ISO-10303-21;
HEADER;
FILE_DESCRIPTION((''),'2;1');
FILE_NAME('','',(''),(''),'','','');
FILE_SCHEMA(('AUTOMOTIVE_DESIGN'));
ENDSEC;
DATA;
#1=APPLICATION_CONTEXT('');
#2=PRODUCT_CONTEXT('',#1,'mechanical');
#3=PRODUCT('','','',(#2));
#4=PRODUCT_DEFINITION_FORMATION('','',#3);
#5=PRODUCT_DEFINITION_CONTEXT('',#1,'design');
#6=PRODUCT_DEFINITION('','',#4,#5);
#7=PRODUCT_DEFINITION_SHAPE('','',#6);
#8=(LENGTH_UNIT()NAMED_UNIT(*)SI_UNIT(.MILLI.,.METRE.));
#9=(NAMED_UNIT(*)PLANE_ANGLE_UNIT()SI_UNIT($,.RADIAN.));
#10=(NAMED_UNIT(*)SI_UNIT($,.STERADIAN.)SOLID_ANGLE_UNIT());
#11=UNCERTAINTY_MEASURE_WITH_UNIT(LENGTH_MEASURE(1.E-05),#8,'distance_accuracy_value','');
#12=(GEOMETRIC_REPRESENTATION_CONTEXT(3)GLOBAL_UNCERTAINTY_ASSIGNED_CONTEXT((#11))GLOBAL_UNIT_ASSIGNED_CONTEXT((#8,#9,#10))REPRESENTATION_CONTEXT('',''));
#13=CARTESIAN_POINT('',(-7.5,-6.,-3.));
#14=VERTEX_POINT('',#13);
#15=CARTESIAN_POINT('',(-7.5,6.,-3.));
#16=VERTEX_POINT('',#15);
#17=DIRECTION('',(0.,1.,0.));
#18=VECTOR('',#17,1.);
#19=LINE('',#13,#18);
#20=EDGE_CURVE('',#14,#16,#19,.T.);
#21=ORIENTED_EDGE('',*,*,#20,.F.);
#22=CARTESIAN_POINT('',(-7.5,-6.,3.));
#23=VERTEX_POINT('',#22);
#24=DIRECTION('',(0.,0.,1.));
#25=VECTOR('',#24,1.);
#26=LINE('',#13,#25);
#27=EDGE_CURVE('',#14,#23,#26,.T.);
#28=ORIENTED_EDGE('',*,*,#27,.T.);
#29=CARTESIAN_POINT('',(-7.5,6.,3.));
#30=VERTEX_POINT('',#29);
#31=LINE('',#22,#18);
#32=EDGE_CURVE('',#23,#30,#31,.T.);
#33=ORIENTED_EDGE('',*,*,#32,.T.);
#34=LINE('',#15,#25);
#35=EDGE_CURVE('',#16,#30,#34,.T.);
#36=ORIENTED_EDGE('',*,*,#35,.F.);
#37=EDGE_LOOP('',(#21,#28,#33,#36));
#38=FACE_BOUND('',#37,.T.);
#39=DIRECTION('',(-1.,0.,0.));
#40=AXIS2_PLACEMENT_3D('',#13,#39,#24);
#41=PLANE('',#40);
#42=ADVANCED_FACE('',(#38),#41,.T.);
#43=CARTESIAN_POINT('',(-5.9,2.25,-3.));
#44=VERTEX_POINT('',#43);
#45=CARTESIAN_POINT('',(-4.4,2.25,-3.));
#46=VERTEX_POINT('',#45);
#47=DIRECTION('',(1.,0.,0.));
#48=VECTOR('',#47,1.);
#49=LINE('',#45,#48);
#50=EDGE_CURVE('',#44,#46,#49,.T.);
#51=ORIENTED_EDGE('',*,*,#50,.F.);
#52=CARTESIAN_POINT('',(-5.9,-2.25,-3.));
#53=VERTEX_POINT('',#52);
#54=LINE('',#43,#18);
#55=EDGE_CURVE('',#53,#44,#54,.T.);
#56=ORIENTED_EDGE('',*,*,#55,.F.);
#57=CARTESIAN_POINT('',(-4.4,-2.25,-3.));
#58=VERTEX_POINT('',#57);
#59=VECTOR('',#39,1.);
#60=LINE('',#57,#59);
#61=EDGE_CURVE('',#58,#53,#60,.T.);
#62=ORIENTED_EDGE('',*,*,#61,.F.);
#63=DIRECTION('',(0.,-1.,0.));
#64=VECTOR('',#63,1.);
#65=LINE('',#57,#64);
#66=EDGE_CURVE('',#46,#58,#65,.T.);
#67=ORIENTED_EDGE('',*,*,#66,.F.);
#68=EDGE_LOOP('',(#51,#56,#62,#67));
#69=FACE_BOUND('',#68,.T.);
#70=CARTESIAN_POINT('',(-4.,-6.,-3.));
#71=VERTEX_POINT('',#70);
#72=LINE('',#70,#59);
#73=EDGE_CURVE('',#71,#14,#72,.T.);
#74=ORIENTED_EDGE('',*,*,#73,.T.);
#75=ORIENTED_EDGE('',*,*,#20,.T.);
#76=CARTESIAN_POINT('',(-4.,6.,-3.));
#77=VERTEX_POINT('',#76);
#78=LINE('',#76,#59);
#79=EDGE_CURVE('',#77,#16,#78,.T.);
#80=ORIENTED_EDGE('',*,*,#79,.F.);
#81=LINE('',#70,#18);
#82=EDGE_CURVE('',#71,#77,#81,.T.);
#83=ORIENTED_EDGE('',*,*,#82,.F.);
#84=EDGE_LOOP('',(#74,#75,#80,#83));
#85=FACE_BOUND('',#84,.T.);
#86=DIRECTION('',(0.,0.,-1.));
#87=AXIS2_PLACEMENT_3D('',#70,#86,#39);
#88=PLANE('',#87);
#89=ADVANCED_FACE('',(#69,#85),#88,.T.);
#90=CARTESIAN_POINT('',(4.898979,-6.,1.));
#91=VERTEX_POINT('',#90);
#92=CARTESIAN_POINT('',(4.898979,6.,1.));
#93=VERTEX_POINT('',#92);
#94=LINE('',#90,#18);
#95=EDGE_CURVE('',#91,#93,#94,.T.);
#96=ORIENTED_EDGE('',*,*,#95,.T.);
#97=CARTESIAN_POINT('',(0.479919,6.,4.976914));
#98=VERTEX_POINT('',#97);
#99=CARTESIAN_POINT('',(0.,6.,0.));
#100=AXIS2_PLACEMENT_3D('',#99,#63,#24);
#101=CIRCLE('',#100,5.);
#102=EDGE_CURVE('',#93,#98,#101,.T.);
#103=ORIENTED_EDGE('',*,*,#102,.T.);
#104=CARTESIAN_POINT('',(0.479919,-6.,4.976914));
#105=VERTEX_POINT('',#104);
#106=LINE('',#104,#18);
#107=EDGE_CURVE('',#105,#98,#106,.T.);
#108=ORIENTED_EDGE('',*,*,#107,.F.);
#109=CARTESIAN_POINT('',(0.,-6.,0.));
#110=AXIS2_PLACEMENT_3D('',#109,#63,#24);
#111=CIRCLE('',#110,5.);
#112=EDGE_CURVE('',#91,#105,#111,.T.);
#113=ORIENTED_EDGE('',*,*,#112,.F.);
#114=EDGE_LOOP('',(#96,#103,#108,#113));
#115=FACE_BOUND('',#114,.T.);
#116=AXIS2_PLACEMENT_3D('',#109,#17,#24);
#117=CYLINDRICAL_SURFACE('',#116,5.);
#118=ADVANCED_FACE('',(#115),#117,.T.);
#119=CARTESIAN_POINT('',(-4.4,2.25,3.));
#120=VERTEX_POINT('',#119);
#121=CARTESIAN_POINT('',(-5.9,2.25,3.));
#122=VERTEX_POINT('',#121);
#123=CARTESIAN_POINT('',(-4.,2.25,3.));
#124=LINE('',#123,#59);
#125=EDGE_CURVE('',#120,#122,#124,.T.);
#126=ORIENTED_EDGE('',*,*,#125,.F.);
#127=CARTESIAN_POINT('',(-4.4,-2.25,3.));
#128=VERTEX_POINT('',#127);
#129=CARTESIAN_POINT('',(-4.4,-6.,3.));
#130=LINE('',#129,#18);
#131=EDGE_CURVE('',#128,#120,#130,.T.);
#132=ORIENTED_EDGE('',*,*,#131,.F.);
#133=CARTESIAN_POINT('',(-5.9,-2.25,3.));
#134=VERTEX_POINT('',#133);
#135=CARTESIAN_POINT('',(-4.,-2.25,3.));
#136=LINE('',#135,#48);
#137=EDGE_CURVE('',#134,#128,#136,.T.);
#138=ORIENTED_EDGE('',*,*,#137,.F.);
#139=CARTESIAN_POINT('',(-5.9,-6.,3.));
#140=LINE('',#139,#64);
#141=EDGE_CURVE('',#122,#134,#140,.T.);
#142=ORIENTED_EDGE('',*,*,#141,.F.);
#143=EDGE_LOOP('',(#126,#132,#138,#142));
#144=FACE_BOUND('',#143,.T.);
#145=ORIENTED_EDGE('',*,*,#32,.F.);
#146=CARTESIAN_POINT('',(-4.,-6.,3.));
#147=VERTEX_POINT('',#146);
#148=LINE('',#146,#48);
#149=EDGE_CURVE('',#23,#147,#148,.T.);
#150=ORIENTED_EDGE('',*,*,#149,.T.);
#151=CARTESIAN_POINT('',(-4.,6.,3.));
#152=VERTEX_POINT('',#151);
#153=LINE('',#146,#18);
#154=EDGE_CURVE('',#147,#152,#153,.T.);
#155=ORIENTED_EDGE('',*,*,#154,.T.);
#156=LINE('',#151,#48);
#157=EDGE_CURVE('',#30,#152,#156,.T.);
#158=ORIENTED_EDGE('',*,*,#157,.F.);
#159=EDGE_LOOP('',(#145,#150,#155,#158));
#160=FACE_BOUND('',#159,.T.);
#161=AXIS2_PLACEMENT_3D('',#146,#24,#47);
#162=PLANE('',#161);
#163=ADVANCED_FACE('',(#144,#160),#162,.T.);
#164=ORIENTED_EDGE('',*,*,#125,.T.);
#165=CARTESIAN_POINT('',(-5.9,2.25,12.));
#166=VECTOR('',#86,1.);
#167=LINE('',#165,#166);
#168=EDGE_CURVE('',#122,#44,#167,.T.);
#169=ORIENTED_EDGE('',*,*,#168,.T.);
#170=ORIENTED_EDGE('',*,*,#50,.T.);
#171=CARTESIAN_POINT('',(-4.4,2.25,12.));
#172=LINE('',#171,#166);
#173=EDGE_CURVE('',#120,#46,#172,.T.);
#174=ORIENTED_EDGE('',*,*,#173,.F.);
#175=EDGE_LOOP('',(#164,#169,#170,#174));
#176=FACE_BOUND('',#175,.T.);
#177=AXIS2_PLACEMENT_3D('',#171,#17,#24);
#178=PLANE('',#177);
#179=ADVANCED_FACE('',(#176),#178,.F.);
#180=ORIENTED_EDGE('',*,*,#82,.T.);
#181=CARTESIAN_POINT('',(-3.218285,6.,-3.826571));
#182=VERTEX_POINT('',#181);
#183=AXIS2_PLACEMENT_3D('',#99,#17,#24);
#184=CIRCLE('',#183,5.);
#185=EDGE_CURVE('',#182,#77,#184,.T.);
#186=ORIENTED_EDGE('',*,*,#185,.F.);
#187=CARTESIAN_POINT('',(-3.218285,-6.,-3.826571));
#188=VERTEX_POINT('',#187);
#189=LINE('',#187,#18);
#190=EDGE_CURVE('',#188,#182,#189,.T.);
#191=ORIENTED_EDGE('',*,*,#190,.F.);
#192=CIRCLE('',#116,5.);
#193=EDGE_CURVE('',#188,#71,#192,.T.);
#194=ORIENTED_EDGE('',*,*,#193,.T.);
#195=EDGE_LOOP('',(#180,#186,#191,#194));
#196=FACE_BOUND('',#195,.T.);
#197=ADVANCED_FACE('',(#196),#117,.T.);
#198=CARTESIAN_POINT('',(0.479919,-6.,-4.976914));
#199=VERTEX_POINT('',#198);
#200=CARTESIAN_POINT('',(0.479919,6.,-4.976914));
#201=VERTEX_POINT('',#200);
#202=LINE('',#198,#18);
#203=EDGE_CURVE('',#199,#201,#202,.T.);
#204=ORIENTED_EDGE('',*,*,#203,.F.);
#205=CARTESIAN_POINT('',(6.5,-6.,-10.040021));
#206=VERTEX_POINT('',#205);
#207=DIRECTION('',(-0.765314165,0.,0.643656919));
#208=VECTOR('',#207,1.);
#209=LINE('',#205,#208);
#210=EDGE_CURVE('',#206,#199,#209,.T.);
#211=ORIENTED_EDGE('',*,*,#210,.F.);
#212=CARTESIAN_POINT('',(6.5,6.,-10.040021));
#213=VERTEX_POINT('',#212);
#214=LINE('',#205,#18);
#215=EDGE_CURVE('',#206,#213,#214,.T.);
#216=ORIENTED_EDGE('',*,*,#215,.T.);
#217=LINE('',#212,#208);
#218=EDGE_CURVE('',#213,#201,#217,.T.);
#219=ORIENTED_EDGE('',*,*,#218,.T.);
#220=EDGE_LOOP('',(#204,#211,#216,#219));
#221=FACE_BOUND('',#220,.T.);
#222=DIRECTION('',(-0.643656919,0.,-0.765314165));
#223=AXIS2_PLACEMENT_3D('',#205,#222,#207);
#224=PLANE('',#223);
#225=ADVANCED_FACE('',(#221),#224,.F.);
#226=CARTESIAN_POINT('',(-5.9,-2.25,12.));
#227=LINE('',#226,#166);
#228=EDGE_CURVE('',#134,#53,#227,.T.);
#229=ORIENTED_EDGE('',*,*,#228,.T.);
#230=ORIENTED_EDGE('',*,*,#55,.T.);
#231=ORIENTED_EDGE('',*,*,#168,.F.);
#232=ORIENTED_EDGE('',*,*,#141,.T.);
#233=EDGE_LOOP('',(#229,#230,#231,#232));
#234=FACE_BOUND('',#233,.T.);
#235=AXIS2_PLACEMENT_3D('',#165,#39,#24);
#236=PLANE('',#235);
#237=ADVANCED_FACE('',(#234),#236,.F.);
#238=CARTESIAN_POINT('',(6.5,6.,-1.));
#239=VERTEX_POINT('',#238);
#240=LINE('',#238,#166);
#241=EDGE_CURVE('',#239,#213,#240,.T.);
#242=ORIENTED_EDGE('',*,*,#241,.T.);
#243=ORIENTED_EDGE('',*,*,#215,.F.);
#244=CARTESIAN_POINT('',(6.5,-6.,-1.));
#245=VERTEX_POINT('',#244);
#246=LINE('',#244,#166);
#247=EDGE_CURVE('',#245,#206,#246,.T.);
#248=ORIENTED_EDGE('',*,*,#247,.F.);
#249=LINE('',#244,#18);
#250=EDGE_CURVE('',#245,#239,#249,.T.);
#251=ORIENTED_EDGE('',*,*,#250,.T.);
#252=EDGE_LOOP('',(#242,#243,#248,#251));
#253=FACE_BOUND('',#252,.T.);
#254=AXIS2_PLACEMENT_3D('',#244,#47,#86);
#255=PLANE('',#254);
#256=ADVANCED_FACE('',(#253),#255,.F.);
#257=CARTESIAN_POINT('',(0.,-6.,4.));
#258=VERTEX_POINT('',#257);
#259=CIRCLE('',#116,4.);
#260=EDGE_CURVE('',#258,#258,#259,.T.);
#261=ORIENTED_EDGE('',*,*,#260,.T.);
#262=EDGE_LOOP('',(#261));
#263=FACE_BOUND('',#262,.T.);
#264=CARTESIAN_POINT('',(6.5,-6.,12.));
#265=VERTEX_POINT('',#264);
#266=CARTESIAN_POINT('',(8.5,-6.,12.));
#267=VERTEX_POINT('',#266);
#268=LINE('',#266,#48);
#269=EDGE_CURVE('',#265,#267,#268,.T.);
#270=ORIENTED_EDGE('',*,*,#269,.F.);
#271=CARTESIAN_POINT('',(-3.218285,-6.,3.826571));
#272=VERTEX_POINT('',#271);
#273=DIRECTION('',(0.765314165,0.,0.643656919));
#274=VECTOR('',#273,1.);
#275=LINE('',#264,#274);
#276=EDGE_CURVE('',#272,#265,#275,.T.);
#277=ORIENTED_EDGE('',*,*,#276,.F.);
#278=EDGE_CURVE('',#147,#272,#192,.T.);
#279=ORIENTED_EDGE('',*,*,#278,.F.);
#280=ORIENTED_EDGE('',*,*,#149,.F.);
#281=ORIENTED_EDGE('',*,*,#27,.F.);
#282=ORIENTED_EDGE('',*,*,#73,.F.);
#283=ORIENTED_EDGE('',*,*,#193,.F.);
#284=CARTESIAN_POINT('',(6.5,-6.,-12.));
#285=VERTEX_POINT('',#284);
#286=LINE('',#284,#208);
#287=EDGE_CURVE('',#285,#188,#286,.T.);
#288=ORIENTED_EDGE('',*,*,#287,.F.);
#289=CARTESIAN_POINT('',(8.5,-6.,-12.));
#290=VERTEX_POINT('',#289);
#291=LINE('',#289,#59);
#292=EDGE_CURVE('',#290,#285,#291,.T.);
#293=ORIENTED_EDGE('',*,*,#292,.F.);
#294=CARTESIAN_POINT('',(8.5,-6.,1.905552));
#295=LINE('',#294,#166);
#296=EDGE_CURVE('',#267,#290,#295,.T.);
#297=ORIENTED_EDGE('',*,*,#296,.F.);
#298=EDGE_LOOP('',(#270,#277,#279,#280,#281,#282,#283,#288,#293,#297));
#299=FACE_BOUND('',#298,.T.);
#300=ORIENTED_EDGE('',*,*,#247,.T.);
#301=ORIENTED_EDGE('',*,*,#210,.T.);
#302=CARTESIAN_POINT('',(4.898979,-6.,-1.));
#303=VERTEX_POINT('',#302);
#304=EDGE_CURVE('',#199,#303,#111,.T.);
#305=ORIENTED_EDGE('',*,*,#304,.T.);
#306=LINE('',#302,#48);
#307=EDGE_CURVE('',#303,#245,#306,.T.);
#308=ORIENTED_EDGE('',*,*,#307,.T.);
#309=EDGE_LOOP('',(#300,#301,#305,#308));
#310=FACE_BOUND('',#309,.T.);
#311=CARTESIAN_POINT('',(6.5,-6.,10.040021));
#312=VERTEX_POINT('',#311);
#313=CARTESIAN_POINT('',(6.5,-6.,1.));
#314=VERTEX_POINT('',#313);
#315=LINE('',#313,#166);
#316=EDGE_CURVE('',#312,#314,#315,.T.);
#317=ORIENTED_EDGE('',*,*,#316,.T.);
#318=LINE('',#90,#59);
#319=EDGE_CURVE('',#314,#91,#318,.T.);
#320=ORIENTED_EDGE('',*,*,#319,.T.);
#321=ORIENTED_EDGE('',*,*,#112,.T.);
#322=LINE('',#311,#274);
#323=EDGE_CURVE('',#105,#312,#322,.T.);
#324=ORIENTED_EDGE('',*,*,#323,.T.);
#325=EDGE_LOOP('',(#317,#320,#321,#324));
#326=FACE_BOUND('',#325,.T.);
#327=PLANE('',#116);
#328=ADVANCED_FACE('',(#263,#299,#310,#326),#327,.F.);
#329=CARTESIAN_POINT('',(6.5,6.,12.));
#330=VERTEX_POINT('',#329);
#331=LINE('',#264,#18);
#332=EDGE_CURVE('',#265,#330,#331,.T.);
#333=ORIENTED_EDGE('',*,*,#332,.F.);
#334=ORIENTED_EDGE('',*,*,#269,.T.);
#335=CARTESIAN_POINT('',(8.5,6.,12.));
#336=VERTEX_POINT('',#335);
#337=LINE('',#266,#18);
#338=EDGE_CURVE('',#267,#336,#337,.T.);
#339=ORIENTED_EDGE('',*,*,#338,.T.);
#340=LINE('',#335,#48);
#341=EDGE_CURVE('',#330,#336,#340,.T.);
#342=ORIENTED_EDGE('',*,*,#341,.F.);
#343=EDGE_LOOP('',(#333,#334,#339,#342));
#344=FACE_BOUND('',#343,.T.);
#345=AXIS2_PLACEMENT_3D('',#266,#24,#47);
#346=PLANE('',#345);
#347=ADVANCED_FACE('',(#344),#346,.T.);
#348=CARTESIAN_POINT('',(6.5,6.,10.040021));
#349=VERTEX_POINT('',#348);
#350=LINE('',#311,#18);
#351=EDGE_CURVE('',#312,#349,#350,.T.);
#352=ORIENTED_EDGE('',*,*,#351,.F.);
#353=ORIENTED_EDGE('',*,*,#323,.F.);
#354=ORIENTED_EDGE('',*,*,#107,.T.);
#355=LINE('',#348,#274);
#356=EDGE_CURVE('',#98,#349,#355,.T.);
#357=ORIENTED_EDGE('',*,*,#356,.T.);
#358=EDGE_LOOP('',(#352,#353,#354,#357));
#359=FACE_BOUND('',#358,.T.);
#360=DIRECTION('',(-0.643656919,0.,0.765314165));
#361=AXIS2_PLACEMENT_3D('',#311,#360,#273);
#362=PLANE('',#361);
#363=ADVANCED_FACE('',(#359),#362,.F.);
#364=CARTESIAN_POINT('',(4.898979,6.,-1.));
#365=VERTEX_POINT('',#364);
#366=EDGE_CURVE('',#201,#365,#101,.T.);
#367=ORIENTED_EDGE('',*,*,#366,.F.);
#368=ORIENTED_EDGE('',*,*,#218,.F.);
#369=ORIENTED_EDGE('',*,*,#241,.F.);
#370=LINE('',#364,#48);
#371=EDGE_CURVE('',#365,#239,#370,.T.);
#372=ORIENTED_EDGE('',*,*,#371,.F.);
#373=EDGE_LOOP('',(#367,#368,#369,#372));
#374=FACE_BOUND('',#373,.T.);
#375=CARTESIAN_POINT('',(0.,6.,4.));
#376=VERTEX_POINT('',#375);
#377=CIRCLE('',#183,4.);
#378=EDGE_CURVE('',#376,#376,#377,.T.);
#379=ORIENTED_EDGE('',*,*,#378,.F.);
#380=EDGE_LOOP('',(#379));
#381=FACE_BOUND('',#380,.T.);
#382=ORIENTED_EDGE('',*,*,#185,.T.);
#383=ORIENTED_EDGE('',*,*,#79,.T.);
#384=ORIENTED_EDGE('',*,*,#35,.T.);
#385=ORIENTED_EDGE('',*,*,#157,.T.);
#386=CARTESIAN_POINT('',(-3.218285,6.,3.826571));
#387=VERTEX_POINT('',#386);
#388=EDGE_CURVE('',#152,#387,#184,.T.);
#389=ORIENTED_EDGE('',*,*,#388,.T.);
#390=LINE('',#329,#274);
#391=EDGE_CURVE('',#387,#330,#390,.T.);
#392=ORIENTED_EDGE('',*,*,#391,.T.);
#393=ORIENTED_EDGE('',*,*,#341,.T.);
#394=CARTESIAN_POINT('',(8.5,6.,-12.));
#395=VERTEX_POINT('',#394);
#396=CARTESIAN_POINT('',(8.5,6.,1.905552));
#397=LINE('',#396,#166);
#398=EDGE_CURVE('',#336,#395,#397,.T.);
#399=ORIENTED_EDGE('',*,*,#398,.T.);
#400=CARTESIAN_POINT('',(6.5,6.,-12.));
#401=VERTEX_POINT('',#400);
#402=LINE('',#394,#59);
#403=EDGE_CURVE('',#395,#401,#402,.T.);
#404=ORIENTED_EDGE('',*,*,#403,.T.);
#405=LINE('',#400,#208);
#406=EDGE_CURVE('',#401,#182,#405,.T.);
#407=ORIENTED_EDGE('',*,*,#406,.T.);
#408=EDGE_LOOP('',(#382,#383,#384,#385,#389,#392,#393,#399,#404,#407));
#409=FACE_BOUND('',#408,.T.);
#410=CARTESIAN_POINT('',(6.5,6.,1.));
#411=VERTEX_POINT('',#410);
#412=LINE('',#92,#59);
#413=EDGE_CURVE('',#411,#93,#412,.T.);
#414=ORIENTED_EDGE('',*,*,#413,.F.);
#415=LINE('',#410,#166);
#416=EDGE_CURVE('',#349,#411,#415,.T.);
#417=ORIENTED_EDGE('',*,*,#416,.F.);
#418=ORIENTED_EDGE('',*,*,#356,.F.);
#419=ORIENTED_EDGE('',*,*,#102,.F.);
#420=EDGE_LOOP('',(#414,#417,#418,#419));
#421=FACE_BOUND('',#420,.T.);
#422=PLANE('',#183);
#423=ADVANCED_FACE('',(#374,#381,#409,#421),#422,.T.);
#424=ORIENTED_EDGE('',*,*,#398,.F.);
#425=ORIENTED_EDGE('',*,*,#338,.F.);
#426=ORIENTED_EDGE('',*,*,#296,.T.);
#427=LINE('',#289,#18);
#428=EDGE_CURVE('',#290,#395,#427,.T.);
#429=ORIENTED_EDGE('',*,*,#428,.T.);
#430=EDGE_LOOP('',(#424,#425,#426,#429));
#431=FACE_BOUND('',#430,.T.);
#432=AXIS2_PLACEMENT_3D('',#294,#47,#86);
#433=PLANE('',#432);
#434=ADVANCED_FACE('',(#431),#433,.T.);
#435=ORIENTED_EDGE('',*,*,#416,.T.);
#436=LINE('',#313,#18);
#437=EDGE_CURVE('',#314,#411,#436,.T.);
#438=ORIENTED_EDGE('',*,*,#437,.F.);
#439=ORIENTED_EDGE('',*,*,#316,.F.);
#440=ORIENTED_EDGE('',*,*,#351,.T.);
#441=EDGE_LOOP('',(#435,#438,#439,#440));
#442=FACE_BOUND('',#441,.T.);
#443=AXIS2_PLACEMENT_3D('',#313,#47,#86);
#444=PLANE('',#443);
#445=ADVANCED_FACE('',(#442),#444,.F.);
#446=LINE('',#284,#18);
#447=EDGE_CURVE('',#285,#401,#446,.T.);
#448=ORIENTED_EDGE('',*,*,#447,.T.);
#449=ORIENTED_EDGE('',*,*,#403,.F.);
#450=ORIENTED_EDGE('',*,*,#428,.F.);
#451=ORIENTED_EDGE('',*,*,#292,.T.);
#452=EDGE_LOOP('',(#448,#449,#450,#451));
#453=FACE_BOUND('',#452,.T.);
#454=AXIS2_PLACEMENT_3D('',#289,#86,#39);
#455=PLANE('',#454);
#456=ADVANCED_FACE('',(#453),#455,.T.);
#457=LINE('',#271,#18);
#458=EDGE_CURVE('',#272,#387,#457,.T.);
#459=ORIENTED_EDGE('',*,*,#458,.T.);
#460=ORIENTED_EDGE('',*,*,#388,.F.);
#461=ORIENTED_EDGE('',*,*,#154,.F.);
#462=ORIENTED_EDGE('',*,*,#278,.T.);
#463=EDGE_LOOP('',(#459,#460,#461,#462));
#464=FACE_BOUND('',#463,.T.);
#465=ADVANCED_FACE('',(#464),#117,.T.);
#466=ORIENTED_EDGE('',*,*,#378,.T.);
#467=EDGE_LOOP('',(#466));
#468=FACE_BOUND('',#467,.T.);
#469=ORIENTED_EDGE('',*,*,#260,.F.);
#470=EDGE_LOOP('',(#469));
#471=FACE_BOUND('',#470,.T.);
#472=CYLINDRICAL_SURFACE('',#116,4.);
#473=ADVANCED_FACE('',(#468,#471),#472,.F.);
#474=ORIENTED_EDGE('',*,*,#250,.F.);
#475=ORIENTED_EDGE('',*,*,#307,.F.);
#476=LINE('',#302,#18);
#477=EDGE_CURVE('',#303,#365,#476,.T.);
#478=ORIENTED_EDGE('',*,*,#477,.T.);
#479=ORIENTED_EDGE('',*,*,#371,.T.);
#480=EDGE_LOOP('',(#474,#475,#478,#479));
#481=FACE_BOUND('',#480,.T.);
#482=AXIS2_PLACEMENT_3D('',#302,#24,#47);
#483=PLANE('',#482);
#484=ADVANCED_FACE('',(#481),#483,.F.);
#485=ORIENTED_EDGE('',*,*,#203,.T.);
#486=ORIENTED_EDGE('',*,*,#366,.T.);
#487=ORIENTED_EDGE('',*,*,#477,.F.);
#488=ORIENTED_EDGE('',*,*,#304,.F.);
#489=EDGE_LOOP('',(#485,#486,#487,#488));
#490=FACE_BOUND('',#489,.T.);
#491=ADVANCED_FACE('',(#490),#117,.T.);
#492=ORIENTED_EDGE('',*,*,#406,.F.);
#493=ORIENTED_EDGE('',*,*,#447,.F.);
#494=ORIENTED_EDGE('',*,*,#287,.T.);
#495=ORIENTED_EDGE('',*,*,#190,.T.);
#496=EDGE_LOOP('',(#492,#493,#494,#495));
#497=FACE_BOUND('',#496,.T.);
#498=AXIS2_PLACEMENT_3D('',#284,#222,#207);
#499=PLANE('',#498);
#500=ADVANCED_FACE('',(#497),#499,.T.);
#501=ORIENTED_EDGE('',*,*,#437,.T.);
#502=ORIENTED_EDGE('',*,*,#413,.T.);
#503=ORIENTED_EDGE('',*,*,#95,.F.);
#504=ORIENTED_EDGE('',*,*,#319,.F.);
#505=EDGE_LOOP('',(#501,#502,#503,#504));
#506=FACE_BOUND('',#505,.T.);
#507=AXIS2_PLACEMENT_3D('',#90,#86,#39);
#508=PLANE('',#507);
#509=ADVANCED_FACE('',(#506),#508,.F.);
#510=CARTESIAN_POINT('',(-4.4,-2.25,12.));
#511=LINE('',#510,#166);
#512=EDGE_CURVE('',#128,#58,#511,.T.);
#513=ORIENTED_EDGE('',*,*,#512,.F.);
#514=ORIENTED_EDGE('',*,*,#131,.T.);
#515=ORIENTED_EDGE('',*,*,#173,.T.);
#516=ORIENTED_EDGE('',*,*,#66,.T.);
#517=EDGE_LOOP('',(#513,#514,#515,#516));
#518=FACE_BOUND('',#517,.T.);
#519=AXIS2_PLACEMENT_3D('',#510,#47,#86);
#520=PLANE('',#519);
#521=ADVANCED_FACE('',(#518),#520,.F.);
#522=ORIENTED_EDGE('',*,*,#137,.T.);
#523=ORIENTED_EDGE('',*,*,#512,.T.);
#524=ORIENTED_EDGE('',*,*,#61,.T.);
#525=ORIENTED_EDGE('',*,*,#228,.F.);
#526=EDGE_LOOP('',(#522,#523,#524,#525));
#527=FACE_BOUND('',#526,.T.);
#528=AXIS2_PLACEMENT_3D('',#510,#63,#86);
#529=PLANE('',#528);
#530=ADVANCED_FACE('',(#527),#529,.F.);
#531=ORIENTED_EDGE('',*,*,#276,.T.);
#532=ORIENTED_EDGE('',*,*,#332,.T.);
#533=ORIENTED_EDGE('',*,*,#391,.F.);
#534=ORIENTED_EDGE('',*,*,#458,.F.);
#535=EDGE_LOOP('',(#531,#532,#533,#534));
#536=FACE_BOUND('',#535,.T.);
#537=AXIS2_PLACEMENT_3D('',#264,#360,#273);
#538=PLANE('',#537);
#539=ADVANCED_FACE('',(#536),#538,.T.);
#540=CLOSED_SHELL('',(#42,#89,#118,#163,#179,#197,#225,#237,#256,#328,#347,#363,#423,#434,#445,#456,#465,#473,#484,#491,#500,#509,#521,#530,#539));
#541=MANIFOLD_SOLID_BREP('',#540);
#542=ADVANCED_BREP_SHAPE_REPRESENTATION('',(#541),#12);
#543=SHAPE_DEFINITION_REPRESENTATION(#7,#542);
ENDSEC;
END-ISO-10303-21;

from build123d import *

# Parameters (mm, degrees)
BOSS_EXTRUDE1_DEPTH      = 6
BOSS_EXTRUDE1_DEPTH_BACK = 6
SKETCH1_R                = 4
SKETCH2_W                = 1.5
SKETCH2_H                = 4.5
CUT_EXTRUDE1_DEPTH       = 19.255136264


with BuildPart() as part:
    # Sketch1 → Boss-Extrude1 (new, two sides: drawn at the far end of the back side and taken through both)
    with BuildSketch(Plane(origin=(0, 0, 0), x_dir=(1, 0, 0), z_dir=(0, 1, 0)).offset(-BOSS_EXTRUDE1_DEPTH_BACK)):
        with BuildLine():
            Line((-4, 3), (-7.5, 3))
            Line((-7.5, 3), (-7.5, -3))
            Line((-7.5, -3), (-4, -3))
            ThreePointArc((-4, -3), (-3.632728032, -3.435591222), (-3.218284596, -3.826570823))
            Line((-3.218284596, -3.826570823), (6.5, -12))
            Line((6.5, -12), (8.5, -12))
            Line((8.5, -12), (8.5, -1.905552368))
            Line((8.5, -1.905552368), (8.5, 12))
            Line((8.5, 12), (6.5, 12))
            Line((6.5, 12), (-3.218284596, 3.826570823))
            ThreePointArc((-3.218284596, 3.826570823), (-3.632728032, 3.435591222), (-4, 3))
        make_face()
        Circle(SKETCH1_R, mode=Mode.SUBTRACT)
        with BuildLine():
            Line((4.898979486, 1), (6.5, 1))
            Line((6.5, 1), (6.5, 10.040020596))
            Line((6.5, 10.040020596), (0.479918949, 4.976914486))
            ThreePointArc((0.479918949, 4.976914486), (3.34471214, 3.716571095), (4.898979486, 1))
        make_face(mode=Mode.SUBTRACT)
        with BuildLine():
            Line((4.898979486, -1), (6.5, -1))
            Line((6.5, -1), (6.5, -10.040020596))
            Line((6.5, -10.040020596), (0.479918949, -4.976914486))
            ThreePointArc((0.479918949, -4.976914486), (3.34471214, -3.716571095), (4.898979486, -1))
        make_face(mode=Mode.SUBTRACT)
    extrude(amount=BOSS_EXTRUDE1_DEPTH + BOSS_EXTRUDE1_DEPTH_BACK)

    # Sketch2 → Cut-Extrude1 (cut, through all)
    with BuildSketch(Plane(origin=(0, 0, -3), x_dir=(-1, 0, 0), z_dir=(0, 0, -1))):
        with Locations((5.15, 0)):
            Rectangle(SKETCH2_W, SKETCH2_H)
    extrude(amount=-CUT_EXTRUDE1_DEPTH, mode=Mode.SUBTRACT)


solid = part.part
